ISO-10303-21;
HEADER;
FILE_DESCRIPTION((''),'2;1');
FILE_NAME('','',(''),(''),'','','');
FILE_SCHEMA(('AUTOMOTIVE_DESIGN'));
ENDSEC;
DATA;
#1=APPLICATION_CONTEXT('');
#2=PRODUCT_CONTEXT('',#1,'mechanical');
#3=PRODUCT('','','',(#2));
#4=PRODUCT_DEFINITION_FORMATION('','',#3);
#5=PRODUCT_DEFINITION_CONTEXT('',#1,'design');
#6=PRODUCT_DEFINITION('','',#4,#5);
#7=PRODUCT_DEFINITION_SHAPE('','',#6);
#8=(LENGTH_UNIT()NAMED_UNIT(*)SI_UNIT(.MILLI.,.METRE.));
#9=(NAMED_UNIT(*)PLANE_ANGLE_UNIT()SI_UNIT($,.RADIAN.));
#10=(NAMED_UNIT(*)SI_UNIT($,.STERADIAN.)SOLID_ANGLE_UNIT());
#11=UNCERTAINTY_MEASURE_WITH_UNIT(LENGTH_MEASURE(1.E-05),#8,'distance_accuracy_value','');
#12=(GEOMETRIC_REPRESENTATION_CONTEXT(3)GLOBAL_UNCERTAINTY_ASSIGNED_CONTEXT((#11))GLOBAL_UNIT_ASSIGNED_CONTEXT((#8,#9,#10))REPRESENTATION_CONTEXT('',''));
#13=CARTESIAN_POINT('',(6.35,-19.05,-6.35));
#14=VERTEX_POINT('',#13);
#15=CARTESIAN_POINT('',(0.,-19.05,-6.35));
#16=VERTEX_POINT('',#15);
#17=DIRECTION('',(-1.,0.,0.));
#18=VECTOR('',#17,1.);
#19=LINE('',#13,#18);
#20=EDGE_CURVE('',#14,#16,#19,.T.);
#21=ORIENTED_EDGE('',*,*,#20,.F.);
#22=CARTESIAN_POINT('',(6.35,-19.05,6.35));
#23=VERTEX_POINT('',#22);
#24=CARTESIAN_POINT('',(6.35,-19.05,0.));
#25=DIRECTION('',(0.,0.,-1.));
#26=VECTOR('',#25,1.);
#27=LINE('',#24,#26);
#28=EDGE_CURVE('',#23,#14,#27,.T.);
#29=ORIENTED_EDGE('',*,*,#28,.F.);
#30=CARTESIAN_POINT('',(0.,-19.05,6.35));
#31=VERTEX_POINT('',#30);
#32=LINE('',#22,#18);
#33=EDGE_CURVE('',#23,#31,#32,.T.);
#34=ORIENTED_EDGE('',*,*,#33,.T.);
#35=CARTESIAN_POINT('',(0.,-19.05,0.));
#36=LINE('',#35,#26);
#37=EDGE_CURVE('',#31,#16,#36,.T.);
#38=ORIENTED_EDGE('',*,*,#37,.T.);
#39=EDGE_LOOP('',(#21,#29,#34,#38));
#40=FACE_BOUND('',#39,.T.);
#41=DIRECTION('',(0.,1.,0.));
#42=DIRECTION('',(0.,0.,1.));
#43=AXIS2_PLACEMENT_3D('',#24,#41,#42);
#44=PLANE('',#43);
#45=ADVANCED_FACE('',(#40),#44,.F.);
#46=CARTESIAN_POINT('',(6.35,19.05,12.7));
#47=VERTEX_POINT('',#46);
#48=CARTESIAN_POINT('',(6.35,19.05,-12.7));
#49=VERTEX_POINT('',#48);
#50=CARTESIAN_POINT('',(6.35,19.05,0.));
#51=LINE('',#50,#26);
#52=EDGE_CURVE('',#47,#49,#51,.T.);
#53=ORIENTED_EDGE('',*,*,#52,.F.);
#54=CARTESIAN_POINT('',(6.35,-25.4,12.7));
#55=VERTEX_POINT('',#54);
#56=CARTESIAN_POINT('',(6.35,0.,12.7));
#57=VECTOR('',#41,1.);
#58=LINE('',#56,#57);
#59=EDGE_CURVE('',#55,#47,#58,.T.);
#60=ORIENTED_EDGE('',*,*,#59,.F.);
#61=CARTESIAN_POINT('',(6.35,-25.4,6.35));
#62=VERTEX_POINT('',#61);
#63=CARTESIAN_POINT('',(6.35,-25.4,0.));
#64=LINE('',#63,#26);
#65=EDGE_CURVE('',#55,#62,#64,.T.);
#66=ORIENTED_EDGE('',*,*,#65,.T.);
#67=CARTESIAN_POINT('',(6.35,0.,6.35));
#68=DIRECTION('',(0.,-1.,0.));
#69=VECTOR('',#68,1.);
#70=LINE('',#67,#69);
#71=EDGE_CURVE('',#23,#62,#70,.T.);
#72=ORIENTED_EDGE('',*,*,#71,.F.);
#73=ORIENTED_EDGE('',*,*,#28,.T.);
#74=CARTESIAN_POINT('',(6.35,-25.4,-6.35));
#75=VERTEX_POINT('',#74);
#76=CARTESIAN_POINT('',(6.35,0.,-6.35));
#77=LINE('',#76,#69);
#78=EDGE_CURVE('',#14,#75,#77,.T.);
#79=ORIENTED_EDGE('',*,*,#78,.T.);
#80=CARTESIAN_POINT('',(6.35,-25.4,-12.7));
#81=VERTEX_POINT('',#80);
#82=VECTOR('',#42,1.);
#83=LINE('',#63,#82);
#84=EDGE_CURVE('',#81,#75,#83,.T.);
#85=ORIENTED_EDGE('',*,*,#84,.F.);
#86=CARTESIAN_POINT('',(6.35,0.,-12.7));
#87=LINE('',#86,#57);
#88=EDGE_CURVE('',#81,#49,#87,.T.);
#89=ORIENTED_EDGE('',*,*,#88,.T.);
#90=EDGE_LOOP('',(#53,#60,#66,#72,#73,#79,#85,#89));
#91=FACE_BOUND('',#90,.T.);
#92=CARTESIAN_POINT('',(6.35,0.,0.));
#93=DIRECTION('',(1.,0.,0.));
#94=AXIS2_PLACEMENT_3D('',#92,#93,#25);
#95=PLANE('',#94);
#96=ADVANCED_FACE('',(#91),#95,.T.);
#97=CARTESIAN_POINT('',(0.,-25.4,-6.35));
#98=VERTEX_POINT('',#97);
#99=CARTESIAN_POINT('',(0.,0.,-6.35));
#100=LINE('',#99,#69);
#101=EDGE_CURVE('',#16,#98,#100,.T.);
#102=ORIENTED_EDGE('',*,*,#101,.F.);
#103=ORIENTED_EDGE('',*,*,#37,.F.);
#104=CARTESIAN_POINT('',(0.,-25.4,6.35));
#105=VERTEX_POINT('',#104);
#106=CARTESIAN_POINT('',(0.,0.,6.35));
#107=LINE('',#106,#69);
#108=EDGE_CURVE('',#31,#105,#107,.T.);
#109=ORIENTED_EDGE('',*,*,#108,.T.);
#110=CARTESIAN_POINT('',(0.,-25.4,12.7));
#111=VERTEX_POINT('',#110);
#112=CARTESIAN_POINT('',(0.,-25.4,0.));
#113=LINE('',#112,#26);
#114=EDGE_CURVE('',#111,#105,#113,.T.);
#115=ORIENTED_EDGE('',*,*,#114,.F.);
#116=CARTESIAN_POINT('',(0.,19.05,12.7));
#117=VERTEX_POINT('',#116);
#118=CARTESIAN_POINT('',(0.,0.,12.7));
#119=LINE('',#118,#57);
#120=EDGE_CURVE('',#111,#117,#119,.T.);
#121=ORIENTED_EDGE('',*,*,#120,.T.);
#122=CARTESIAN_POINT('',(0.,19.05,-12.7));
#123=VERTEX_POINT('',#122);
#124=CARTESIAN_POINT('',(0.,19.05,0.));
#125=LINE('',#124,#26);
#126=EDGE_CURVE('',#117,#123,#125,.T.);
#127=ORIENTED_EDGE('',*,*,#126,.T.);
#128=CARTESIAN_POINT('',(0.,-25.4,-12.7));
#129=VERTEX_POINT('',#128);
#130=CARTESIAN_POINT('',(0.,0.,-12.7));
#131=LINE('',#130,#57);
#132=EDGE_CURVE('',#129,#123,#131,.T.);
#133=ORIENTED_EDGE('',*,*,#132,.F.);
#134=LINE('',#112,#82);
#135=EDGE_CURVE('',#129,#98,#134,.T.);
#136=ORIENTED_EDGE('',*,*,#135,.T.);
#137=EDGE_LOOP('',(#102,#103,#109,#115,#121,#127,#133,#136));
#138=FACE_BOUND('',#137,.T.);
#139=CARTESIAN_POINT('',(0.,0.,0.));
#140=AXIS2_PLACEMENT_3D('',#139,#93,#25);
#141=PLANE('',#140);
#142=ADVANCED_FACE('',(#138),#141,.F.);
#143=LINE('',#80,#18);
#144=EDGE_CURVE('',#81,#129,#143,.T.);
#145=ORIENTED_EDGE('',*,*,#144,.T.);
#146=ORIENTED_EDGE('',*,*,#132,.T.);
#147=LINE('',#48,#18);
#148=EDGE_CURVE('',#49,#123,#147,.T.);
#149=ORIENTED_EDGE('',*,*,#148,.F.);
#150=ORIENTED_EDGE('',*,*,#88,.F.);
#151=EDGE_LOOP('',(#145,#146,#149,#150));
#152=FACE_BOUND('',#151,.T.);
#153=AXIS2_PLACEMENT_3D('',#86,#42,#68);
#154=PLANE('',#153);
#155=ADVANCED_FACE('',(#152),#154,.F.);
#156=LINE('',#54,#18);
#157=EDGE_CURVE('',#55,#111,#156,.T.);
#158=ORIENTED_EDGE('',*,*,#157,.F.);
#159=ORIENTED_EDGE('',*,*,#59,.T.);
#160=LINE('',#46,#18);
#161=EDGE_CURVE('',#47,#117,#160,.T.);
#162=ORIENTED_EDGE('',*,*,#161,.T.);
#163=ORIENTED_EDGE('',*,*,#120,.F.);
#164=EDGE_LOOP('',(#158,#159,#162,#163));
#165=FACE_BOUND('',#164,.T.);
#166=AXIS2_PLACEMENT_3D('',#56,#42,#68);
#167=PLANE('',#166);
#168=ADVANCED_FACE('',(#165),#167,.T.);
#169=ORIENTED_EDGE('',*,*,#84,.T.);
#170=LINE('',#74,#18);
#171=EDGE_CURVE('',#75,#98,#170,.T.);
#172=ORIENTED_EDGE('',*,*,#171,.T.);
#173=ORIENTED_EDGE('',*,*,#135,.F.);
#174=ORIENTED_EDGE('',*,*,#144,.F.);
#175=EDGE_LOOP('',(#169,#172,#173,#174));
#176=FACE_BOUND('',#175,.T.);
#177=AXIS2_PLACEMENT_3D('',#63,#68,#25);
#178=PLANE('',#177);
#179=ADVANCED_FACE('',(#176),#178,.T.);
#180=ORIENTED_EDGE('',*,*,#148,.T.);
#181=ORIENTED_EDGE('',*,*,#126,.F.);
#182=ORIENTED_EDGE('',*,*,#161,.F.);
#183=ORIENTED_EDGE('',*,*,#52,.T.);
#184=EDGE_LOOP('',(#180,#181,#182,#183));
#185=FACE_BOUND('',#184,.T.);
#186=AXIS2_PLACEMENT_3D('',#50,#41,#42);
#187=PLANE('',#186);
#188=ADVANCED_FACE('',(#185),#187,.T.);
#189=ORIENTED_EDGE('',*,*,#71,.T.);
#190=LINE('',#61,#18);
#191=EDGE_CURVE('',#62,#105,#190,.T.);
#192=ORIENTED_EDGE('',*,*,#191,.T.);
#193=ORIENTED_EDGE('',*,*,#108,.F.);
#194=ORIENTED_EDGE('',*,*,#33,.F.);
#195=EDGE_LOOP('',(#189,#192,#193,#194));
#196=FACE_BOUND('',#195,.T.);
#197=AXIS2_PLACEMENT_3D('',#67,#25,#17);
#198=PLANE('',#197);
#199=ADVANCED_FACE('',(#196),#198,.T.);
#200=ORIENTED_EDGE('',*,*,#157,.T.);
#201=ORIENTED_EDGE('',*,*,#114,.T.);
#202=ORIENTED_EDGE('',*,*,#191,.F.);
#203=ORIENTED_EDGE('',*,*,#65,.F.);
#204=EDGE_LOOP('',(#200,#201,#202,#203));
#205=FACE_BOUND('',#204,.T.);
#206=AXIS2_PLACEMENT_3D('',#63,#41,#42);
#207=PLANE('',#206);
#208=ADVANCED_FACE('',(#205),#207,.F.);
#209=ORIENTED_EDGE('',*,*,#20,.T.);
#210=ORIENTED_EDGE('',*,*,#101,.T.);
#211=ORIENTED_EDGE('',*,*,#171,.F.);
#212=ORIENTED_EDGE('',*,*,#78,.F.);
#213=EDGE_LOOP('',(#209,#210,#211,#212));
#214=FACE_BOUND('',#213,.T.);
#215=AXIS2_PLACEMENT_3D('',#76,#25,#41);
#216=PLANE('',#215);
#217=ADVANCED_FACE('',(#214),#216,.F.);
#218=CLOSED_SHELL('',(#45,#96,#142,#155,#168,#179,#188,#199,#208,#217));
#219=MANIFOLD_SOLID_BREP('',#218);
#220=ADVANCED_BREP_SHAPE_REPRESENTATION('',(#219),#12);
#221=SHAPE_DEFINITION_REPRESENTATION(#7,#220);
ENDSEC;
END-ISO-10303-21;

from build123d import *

# Parameters (mm, degrees)
SKETCH1_W           = 6.35
SKETCH1_H           = 6.35
BOSS_EXTRUDE1_DEPTH = 6.35


with BuildPart() as part:
    # Sketch1 → Boss-Extrude1 (new body)
    with BuildSketch(Plane(origin=(0, 0, 0), x_dir=(0, 0, -1), z_dir=(1, 0, 0))):
        Polygon((-12.7, -12.7), (-12.7, -19.05), (-6.35, -19.05), (6.35, -19.05), (12.7, -19.05), (12.7, 19.05), (-12.7, 19.05), align=None)
        with Locations((-9.525, -22.225)):
            Rectangle(SKETCH1_W, SKETCH1_H)
        with Locations((9.525, -22.225)):
            Rectangle(SKETCH1_W, SKETCH1_H)
    extrude(amount=BOSS_EXTRUDE1_DEPTH)


solid = part.part
